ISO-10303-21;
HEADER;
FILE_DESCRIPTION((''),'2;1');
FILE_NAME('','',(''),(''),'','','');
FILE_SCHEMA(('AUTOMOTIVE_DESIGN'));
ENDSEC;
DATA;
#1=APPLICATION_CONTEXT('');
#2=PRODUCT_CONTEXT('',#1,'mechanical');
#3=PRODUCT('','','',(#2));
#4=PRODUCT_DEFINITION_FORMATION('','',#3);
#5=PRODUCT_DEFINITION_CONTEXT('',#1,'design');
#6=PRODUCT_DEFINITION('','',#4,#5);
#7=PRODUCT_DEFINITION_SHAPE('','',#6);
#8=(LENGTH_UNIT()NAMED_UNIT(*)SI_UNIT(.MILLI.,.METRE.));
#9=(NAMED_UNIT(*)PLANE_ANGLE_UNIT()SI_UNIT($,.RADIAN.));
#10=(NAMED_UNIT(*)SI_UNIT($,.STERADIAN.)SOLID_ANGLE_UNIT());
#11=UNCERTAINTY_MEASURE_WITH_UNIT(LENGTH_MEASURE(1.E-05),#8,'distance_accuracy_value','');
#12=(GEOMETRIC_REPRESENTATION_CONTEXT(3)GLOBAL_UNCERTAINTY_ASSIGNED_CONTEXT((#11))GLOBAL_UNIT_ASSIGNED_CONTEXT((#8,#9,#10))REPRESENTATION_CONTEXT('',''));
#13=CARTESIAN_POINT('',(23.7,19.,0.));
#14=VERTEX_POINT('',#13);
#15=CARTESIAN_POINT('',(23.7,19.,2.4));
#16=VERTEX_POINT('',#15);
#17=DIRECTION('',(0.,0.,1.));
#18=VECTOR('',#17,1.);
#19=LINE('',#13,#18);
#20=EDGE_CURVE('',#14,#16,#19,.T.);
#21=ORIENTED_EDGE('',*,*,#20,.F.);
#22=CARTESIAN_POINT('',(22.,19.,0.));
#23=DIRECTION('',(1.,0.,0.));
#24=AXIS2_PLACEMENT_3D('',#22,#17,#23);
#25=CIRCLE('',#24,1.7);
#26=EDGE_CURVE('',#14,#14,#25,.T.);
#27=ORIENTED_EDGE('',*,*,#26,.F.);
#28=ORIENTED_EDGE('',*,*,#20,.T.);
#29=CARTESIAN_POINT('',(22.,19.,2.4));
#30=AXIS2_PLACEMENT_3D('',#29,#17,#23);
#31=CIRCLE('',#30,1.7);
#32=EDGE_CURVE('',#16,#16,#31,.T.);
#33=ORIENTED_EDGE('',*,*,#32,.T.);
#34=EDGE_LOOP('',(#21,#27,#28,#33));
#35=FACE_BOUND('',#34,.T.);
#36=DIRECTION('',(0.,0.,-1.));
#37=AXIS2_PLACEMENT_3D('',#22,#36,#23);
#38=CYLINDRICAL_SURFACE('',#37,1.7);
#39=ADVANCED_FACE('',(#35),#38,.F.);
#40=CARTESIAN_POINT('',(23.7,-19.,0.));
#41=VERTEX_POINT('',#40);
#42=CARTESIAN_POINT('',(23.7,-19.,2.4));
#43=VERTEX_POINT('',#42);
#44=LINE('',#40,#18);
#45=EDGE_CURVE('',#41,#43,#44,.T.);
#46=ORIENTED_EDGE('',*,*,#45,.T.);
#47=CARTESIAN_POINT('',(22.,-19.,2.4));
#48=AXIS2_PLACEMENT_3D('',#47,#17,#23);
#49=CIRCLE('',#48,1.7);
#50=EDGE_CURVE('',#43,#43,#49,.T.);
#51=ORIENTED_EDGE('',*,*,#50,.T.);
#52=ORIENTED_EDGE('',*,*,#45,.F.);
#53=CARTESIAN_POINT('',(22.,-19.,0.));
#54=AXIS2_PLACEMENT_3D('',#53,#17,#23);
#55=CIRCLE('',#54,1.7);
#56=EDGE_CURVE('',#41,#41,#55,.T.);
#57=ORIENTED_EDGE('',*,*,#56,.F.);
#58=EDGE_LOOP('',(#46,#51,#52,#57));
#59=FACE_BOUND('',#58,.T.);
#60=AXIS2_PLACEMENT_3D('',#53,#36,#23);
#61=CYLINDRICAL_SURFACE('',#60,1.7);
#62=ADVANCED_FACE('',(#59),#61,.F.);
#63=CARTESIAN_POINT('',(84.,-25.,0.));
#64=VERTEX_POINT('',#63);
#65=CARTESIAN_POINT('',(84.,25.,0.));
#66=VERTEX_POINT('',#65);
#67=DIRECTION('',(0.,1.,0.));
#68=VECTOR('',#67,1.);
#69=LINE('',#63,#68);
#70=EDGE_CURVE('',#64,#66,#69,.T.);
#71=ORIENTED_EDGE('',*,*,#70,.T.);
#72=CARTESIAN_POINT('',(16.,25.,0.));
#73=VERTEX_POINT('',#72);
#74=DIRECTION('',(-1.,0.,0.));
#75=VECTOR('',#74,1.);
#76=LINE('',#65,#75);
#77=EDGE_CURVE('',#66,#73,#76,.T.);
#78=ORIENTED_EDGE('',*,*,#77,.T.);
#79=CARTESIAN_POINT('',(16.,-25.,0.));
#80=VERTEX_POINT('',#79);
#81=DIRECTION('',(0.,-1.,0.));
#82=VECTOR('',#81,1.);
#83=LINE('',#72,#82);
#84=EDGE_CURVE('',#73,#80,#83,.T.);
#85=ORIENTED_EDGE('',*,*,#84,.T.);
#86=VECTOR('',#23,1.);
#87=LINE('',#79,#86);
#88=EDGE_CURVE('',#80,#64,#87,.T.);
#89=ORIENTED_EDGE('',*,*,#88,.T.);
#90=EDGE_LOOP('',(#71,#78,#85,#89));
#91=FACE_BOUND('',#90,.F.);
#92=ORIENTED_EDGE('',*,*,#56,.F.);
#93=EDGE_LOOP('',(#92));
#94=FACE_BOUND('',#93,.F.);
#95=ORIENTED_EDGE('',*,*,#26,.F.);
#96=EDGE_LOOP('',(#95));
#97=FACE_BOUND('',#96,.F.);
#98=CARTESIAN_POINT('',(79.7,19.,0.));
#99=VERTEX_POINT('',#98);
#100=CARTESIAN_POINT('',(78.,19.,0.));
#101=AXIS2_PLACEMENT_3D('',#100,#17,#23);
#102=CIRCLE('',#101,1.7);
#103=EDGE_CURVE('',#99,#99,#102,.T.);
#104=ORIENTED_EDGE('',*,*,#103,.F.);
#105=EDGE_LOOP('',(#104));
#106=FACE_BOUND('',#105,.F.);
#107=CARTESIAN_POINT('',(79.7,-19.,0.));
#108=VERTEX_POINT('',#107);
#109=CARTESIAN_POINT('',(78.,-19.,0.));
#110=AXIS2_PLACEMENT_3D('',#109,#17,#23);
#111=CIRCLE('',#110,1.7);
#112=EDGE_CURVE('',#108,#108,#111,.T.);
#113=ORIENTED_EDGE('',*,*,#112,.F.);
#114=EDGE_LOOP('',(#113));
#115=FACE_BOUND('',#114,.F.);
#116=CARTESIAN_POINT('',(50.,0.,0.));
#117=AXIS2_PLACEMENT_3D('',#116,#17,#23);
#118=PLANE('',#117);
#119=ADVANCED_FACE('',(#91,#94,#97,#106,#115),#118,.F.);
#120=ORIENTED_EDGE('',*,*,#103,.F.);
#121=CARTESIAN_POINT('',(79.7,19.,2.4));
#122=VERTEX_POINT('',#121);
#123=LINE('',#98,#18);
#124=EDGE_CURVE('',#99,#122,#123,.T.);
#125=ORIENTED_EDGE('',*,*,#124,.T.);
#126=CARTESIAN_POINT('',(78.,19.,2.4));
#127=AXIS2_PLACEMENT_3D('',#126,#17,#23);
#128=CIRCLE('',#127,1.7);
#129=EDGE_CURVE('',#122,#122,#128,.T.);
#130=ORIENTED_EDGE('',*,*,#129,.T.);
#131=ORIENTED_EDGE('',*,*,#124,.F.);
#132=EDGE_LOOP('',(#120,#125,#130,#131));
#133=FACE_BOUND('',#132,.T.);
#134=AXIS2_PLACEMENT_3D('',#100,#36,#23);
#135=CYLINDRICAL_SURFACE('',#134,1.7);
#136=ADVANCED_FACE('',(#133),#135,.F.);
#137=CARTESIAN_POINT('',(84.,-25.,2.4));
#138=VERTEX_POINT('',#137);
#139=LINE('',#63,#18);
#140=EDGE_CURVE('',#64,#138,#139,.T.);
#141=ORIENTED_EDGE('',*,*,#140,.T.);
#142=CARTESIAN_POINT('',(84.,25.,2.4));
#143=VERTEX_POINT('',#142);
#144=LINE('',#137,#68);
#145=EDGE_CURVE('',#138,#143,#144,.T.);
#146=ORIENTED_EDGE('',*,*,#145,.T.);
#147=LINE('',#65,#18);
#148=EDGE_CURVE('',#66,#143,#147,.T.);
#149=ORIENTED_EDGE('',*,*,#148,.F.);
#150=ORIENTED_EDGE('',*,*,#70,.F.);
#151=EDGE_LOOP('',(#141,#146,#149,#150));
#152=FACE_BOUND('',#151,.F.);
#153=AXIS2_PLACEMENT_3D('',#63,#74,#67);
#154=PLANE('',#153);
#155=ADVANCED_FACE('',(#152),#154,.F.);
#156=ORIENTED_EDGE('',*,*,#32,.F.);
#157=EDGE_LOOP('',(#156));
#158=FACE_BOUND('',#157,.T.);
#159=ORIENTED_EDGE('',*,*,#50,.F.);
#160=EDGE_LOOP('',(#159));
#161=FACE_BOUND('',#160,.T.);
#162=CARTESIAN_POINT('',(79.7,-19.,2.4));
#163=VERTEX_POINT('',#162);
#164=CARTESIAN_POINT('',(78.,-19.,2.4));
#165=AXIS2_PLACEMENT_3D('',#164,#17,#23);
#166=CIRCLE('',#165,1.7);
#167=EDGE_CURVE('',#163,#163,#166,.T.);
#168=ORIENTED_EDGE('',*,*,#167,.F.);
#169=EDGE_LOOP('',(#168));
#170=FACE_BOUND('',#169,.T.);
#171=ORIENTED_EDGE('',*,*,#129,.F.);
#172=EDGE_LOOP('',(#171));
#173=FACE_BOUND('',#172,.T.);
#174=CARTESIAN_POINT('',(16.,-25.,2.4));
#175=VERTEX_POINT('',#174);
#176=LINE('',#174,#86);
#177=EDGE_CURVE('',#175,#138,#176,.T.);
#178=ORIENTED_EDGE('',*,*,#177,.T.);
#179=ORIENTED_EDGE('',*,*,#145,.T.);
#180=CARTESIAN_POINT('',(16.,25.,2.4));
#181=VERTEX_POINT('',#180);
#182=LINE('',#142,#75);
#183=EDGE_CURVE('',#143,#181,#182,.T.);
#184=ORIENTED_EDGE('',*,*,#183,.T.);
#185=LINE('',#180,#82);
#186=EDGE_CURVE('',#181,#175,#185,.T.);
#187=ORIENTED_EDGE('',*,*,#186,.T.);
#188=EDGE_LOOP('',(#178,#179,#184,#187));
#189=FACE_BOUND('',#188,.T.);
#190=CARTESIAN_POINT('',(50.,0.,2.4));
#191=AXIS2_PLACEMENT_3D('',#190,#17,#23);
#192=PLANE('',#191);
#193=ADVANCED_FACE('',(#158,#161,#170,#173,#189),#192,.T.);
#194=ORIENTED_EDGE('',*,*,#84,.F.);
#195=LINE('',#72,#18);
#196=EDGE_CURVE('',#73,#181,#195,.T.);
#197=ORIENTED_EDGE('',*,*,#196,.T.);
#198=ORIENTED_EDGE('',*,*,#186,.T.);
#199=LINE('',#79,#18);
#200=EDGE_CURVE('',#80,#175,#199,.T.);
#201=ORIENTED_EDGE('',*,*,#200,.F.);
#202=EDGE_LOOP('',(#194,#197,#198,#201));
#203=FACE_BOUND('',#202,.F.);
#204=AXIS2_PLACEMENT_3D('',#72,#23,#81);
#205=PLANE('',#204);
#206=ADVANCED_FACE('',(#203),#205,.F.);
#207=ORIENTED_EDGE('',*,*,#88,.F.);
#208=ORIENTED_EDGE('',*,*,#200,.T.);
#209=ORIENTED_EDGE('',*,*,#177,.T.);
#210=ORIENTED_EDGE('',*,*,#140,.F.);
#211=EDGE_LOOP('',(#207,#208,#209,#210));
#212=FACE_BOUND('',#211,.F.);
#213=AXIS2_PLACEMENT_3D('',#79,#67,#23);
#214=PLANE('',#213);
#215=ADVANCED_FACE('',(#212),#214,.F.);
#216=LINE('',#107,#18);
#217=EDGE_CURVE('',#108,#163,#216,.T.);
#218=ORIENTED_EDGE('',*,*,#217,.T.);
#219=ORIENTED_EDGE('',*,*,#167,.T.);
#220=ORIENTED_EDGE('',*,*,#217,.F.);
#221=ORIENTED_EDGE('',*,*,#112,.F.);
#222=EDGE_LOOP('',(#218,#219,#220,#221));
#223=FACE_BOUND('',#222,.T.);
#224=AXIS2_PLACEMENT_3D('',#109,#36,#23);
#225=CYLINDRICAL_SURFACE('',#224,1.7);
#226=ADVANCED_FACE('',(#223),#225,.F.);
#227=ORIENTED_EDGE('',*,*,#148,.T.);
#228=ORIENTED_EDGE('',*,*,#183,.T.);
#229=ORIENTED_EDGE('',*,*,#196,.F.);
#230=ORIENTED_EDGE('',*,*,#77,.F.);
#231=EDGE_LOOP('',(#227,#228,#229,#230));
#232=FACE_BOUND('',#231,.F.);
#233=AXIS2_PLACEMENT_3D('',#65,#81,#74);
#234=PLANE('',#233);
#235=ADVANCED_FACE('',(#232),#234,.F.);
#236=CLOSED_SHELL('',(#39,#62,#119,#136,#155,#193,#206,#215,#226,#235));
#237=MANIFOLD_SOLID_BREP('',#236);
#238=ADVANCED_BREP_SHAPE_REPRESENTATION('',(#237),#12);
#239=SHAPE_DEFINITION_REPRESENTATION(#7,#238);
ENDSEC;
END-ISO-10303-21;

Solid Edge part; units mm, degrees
sketch "Sketch1" plane through (0, 0, 0) normal (0, 0, 1) x (1, 0, 0)
  line L0 (16, -25) -> (84, -25)
  line L1 (84, -25) -> (84, 25)
  line L2 (84, 25) -> (16, 25)
  line L3 (16, 25) -> (16, -25)
  circle A0 centre (22, -19) radius 1.7
  circle A1 centre (22, 19) radius 1.7
  circle A2 centre (78, -19) radius 1.7
  circle A3 centre (78, 19) radius 1.7
extrude "Protrusion1" add sketch "Sketch1" along normal blind 2.4
